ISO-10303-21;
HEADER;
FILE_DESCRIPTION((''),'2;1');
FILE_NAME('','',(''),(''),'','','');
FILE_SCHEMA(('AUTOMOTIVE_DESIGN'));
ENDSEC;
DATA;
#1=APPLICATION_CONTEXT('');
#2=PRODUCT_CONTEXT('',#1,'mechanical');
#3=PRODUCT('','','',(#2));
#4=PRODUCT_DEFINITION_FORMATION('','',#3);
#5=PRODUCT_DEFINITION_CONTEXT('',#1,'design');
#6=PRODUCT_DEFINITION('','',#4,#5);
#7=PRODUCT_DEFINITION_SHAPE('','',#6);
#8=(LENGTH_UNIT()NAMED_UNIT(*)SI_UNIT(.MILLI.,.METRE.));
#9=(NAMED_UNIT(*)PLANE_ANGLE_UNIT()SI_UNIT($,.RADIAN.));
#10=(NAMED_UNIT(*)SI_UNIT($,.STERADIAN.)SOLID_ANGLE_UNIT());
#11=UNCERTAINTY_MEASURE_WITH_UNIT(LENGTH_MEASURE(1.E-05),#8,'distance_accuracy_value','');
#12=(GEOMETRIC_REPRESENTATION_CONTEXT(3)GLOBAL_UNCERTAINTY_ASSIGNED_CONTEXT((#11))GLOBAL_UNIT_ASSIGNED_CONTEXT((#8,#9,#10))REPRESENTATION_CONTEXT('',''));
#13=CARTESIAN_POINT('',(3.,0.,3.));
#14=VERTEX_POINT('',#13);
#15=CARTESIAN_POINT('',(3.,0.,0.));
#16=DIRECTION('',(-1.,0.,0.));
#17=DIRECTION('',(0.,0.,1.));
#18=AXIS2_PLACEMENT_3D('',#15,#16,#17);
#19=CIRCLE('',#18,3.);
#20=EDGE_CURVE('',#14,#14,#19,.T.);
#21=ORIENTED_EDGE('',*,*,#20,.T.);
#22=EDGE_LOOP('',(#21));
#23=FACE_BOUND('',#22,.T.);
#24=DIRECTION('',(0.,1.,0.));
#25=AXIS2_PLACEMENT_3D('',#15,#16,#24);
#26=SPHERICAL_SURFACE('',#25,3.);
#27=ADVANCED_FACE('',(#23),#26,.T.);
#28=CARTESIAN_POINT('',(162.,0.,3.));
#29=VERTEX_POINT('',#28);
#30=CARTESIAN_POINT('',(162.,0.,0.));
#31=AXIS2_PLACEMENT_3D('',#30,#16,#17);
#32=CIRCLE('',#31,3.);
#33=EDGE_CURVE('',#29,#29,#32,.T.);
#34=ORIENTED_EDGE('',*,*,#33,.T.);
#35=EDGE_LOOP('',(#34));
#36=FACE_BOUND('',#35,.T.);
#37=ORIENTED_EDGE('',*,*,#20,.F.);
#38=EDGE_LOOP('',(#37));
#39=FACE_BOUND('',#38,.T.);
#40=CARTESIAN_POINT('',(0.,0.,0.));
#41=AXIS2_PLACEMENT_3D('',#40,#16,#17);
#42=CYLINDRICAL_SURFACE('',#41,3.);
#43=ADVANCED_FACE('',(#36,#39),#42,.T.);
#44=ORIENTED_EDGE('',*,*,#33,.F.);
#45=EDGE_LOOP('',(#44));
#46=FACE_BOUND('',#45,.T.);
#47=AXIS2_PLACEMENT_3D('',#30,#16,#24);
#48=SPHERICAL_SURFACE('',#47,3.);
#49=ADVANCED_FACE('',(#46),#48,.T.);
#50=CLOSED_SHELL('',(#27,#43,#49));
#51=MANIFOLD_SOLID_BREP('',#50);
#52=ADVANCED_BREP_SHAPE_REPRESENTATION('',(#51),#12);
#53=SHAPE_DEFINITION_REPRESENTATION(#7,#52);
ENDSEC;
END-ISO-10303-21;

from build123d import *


with BuildPart() as part:
    # Sketch1 → Revolve1 (revolve)
    with BuildSketch(Plane.XY):
        with BuildLine():
            Line((3, 3), (162, 3))
            ThreePointArc((162, 3), (164.121320344, 2.121320344), (165, 0))
            Line((165, 0), (0, 0))
            ThreePointArc((0, 0), (0.878679656, 2.121320344), (3, 3))
        make_face()
    revolve(axis=Axis((0, 0, 0), (1, 0, 0)))


solid = part.part
